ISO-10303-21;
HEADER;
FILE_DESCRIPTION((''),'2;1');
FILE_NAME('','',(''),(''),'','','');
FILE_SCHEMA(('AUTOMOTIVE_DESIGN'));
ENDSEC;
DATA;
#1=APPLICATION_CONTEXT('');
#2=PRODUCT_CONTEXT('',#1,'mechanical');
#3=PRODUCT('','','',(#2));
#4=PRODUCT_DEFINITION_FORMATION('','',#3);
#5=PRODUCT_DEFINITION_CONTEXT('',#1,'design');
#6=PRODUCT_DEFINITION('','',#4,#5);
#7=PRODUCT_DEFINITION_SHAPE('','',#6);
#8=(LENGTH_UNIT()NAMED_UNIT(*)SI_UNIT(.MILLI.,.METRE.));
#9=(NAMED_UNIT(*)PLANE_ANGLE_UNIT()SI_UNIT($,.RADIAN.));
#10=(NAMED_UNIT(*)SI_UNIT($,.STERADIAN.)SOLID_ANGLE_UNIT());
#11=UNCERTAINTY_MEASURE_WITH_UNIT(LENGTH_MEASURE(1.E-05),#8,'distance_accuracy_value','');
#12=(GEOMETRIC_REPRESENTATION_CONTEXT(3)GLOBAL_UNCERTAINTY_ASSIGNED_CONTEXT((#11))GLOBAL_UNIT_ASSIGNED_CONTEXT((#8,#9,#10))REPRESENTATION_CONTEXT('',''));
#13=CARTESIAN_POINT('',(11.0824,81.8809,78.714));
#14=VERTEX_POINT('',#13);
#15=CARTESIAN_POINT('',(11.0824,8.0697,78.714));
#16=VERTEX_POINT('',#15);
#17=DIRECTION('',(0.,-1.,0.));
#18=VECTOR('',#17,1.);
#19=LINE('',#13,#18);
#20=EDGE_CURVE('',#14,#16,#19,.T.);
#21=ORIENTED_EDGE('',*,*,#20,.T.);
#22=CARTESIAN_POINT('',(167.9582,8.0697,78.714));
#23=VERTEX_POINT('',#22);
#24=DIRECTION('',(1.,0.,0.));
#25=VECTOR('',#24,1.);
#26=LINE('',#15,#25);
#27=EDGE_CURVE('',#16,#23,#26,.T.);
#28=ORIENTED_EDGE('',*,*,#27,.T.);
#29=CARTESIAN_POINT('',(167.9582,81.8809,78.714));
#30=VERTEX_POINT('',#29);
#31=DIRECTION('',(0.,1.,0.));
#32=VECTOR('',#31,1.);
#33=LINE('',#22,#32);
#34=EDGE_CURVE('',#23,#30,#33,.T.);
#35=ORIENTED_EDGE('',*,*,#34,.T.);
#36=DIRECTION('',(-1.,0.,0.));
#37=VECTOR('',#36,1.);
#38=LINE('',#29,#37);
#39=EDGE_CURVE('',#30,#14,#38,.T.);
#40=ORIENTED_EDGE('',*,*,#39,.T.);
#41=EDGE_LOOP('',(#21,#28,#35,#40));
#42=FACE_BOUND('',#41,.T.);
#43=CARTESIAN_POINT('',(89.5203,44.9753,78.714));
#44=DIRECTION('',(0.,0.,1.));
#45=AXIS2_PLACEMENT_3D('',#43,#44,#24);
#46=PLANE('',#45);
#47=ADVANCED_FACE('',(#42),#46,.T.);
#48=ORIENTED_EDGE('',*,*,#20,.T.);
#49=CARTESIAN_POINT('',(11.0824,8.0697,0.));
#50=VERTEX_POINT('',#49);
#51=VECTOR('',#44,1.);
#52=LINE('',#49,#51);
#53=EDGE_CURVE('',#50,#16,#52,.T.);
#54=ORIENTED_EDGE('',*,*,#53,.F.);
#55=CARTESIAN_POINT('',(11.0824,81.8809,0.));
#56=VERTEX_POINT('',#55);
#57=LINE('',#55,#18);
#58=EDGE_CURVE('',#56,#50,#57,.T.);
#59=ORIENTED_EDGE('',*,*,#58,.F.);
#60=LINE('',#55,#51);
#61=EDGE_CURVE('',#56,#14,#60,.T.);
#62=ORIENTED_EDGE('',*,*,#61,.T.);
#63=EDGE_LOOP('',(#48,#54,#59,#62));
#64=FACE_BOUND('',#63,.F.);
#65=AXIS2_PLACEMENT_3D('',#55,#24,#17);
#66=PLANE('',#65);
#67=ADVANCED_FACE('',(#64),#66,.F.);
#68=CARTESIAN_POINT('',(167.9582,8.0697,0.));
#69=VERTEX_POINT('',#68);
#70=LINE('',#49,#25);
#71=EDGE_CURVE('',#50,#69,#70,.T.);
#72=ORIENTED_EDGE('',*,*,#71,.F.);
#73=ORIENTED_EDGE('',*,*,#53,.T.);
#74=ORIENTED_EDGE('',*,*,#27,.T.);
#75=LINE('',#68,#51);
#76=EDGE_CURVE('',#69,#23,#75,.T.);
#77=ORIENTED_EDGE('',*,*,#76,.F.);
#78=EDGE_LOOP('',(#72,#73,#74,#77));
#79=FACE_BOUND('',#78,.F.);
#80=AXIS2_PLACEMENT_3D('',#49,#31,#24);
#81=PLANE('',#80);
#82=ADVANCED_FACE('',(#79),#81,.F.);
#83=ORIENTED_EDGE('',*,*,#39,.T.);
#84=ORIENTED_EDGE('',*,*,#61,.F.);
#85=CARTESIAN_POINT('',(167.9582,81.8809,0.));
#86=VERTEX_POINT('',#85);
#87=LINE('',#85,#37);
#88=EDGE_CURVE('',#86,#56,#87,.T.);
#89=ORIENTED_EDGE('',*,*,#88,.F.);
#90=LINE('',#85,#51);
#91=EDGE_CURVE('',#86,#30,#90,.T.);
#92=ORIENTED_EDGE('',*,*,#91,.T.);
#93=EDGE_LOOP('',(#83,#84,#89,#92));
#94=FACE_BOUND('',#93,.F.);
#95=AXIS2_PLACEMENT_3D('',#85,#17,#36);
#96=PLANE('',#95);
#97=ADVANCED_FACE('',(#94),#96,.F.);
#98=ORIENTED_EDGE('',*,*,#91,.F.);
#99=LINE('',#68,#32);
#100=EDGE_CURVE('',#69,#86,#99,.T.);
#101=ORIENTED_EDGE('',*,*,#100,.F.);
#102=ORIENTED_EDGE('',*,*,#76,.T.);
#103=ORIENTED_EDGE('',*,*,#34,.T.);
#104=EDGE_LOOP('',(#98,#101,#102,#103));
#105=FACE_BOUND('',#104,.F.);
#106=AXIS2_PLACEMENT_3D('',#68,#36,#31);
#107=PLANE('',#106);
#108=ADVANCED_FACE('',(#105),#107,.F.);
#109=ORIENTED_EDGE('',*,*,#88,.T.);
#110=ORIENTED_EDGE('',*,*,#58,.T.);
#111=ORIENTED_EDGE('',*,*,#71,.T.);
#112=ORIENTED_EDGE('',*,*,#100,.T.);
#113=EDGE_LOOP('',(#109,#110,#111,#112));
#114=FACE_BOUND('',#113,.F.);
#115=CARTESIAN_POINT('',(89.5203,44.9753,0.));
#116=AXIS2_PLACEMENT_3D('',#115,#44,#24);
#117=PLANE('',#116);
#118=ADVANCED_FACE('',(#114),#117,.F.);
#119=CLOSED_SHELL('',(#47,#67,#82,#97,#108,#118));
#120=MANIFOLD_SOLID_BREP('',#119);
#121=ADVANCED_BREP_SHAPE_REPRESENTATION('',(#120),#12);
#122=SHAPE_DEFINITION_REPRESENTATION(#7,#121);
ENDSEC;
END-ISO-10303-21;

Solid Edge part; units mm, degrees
sketch "Sketch1" plane through (0, 0, 0) normal (0, 0, 1) x (1, 0, 0)
  line L0 (11.0824, 8.0697) -> (167.9582, 8.0697)
  line L1 (167.9582, 8.0697) -> (167.9582, 81.8809)
  line L2 (167.9582, 81.8809) -> (11.0824, 81.8809)
  line L3 (11.0824, 81.8809) -> (11.0824, 8.0697)
extrude "Protrusion1" add sketch "Sketch1" along normal blind 78.714
extrude "Protrusion2" [suppressed]
